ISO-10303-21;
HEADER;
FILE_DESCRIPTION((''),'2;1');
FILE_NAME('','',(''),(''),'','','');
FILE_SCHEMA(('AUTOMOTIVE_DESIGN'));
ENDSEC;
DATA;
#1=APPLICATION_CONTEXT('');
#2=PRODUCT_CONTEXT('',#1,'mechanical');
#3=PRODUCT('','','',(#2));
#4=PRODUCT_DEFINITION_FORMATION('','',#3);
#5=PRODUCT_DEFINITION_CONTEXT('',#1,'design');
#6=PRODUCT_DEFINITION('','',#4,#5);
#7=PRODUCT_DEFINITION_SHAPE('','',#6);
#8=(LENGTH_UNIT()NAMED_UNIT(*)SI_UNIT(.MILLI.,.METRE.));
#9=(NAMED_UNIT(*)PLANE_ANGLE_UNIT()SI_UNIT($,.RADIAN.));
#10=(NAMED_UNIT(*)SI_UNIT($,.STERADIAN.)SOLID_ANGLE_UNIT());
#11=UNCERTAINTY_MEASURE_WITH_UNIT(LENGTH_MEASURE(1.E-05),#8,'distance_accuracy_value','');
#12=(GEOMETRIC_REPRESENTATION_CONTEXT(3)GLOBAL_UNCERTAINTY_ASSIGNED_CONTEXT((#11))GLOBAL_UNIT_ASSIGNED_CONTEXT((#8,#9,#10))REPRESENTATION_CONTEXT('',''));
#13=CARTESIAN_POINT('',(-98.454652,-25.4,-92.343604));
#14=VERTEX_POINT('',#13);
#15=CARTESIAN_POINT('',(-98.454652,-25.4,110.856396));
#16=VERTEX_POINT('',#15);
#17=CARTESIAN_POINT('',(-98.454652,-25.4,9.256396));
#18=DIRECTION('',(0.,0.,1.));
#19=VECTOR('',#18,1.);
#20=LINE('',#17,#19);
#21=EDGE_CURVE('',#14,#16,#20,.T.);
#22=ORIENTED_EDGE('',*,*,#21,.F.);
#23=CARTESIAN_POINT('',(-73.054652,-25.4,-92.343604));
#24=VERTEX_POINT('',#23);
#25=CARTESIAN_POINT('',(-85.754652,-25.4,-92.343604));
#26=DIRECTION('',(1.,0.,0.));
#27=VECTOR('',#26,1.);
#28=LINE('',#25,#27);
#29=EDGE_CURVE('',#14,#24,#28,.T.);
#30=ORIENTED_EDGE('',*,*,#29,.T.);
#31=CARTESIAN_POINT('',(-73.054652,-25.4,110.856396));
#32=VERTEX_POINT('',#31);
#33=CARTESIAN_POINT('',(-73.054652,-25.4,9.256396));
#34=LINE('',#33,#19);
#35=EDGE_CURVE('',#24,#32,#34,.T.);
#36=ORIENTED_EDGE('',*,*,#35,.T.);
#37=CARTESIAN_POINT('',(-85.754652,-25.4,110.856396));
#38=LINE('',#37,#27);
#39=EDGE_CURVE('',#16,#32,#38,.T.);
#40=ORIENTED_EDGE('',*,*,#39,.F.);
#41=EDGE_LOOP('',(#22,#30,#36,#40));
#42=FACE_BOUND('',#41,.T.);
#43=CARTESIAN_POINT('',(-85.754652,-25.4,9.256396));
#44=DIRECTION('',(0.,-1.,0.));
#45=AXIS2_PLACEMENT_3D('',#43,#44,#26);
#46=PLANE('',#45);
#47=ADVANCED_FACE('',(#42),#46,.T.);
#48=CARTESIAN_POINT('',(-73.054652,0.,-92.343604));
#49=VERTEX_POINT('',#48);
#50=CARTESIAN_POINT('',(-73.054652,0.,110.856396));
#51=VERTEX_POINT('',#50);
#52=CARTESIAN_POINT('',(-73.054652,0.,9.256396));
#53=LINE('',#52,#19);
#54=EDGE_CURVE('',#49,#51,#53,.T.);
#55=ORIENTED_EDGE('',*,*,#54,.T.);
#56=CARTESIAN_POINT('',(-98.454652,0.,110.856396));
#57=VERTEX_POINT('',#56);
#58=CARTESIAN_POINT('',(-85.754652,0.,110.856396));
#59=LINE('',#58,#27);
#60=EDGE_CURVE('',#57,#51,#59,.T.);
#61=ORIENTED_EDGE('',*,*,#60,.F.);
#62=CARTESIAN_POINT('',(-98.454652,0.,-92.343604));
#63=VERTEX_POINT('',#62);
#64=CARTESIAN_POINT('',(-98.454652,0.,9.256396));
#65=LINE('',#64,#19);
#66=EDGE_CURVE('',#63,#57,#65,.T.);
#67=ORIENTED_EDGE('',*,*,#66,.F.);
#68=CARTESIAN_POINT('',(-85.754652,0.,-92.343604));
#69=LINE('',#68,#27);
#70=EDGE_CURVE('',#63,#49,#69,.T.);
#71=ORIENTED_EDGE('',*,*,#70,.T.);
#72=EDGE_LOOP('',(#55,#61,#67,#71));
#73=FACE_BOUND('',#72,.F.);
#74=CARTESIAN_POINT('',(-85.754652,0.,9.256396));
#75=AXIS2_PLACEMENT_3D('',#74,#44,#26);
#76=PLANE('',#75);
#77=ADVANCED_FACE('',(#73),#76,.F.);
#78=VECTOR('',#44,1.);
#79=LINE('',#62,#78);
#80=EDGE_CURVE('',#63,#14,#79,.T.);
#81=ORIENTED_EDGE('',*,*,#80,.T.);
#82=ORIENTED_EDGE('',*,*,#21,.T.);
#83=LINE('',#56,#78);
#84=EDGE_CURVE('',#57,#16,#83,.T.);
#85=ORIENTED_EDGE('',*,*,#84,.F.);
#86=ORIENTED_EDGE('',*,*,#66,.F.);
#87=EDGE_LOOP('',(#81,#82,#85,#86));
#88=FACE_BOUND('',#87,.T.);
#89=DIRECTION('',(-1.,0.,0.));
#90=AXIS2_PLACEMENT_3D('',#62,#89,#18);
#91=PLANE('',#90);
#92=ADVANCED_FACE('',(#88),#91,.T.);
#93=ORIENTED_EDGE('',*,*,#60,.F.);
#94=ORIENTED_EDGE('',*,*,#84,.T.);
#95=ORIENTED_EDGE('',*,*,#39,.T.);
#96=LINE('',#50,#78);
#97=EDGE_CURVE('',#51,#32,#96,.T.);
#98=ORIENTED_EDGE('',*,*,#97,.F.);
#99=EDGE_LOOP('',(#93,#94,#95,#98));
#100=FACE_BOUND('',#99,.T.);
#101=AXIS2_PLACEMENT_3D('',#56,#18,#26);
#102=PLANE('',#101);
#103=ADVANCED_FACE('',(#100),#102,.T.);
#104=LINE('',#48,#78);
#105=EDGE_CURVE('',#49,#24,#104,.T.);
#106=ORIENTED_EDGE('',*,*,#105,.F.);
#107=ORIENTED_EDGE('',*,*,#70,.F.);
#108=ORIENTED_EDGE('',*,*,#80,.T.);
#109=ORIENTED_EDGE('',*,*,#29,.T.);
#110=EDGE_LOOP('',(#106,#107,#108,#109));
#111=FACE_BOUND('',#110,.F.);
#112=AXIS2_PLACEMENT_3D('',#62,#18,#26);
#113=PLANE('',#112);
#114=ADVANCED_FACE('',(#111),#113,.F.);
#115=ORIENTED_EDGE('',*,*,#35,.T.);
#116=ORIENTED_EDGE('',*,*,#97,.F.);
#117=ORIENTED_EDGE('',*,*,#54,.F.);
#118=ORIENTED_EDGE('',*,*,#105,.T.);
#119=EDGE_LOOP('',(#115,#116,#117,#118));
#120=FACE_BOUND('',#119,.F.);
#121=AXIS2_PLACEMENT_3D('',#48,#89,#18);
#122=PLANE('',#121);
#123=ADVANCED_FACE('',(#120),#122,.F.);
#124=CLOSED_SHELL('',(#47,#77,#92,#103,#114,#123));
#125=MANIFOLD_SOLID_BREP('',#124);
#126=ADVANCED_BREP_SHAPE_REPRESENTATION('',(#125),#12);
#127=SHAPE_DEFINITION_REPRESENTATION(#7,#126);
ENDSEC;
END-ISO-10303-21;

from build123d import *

# Parameters (mm, degrees)
F1_DEPTH = 25.4
F3_W     = 25.4
F3_H     = 203.2
F4_DEPTH = 25.4


with BuildPart() as f1:
    # F0 (on Right) → F1 (new body)
    with BuildSketch(Plane.YZ):
        Polygon((93.4831788659, 86.7940613191), (-58.9168211341, 86.7940613191), (-58.9168211341, -65.6059386809), (93.4831788659, -65.6059386809), (93.4831788659, 22.3822435506), align=None)
    extrude(amount=F1_DEPTH)


with BuildPart() as f4:
    # F3 (on Front) → F4 (new body)
    with BuildSketch(Plane.XZ):
        with Locations((-85.7546515763, 9.2563959739)):
            Rectangle(F3_W, F3_H)
    extrude(amount=F4_DEPTH)


solid = f4.part
